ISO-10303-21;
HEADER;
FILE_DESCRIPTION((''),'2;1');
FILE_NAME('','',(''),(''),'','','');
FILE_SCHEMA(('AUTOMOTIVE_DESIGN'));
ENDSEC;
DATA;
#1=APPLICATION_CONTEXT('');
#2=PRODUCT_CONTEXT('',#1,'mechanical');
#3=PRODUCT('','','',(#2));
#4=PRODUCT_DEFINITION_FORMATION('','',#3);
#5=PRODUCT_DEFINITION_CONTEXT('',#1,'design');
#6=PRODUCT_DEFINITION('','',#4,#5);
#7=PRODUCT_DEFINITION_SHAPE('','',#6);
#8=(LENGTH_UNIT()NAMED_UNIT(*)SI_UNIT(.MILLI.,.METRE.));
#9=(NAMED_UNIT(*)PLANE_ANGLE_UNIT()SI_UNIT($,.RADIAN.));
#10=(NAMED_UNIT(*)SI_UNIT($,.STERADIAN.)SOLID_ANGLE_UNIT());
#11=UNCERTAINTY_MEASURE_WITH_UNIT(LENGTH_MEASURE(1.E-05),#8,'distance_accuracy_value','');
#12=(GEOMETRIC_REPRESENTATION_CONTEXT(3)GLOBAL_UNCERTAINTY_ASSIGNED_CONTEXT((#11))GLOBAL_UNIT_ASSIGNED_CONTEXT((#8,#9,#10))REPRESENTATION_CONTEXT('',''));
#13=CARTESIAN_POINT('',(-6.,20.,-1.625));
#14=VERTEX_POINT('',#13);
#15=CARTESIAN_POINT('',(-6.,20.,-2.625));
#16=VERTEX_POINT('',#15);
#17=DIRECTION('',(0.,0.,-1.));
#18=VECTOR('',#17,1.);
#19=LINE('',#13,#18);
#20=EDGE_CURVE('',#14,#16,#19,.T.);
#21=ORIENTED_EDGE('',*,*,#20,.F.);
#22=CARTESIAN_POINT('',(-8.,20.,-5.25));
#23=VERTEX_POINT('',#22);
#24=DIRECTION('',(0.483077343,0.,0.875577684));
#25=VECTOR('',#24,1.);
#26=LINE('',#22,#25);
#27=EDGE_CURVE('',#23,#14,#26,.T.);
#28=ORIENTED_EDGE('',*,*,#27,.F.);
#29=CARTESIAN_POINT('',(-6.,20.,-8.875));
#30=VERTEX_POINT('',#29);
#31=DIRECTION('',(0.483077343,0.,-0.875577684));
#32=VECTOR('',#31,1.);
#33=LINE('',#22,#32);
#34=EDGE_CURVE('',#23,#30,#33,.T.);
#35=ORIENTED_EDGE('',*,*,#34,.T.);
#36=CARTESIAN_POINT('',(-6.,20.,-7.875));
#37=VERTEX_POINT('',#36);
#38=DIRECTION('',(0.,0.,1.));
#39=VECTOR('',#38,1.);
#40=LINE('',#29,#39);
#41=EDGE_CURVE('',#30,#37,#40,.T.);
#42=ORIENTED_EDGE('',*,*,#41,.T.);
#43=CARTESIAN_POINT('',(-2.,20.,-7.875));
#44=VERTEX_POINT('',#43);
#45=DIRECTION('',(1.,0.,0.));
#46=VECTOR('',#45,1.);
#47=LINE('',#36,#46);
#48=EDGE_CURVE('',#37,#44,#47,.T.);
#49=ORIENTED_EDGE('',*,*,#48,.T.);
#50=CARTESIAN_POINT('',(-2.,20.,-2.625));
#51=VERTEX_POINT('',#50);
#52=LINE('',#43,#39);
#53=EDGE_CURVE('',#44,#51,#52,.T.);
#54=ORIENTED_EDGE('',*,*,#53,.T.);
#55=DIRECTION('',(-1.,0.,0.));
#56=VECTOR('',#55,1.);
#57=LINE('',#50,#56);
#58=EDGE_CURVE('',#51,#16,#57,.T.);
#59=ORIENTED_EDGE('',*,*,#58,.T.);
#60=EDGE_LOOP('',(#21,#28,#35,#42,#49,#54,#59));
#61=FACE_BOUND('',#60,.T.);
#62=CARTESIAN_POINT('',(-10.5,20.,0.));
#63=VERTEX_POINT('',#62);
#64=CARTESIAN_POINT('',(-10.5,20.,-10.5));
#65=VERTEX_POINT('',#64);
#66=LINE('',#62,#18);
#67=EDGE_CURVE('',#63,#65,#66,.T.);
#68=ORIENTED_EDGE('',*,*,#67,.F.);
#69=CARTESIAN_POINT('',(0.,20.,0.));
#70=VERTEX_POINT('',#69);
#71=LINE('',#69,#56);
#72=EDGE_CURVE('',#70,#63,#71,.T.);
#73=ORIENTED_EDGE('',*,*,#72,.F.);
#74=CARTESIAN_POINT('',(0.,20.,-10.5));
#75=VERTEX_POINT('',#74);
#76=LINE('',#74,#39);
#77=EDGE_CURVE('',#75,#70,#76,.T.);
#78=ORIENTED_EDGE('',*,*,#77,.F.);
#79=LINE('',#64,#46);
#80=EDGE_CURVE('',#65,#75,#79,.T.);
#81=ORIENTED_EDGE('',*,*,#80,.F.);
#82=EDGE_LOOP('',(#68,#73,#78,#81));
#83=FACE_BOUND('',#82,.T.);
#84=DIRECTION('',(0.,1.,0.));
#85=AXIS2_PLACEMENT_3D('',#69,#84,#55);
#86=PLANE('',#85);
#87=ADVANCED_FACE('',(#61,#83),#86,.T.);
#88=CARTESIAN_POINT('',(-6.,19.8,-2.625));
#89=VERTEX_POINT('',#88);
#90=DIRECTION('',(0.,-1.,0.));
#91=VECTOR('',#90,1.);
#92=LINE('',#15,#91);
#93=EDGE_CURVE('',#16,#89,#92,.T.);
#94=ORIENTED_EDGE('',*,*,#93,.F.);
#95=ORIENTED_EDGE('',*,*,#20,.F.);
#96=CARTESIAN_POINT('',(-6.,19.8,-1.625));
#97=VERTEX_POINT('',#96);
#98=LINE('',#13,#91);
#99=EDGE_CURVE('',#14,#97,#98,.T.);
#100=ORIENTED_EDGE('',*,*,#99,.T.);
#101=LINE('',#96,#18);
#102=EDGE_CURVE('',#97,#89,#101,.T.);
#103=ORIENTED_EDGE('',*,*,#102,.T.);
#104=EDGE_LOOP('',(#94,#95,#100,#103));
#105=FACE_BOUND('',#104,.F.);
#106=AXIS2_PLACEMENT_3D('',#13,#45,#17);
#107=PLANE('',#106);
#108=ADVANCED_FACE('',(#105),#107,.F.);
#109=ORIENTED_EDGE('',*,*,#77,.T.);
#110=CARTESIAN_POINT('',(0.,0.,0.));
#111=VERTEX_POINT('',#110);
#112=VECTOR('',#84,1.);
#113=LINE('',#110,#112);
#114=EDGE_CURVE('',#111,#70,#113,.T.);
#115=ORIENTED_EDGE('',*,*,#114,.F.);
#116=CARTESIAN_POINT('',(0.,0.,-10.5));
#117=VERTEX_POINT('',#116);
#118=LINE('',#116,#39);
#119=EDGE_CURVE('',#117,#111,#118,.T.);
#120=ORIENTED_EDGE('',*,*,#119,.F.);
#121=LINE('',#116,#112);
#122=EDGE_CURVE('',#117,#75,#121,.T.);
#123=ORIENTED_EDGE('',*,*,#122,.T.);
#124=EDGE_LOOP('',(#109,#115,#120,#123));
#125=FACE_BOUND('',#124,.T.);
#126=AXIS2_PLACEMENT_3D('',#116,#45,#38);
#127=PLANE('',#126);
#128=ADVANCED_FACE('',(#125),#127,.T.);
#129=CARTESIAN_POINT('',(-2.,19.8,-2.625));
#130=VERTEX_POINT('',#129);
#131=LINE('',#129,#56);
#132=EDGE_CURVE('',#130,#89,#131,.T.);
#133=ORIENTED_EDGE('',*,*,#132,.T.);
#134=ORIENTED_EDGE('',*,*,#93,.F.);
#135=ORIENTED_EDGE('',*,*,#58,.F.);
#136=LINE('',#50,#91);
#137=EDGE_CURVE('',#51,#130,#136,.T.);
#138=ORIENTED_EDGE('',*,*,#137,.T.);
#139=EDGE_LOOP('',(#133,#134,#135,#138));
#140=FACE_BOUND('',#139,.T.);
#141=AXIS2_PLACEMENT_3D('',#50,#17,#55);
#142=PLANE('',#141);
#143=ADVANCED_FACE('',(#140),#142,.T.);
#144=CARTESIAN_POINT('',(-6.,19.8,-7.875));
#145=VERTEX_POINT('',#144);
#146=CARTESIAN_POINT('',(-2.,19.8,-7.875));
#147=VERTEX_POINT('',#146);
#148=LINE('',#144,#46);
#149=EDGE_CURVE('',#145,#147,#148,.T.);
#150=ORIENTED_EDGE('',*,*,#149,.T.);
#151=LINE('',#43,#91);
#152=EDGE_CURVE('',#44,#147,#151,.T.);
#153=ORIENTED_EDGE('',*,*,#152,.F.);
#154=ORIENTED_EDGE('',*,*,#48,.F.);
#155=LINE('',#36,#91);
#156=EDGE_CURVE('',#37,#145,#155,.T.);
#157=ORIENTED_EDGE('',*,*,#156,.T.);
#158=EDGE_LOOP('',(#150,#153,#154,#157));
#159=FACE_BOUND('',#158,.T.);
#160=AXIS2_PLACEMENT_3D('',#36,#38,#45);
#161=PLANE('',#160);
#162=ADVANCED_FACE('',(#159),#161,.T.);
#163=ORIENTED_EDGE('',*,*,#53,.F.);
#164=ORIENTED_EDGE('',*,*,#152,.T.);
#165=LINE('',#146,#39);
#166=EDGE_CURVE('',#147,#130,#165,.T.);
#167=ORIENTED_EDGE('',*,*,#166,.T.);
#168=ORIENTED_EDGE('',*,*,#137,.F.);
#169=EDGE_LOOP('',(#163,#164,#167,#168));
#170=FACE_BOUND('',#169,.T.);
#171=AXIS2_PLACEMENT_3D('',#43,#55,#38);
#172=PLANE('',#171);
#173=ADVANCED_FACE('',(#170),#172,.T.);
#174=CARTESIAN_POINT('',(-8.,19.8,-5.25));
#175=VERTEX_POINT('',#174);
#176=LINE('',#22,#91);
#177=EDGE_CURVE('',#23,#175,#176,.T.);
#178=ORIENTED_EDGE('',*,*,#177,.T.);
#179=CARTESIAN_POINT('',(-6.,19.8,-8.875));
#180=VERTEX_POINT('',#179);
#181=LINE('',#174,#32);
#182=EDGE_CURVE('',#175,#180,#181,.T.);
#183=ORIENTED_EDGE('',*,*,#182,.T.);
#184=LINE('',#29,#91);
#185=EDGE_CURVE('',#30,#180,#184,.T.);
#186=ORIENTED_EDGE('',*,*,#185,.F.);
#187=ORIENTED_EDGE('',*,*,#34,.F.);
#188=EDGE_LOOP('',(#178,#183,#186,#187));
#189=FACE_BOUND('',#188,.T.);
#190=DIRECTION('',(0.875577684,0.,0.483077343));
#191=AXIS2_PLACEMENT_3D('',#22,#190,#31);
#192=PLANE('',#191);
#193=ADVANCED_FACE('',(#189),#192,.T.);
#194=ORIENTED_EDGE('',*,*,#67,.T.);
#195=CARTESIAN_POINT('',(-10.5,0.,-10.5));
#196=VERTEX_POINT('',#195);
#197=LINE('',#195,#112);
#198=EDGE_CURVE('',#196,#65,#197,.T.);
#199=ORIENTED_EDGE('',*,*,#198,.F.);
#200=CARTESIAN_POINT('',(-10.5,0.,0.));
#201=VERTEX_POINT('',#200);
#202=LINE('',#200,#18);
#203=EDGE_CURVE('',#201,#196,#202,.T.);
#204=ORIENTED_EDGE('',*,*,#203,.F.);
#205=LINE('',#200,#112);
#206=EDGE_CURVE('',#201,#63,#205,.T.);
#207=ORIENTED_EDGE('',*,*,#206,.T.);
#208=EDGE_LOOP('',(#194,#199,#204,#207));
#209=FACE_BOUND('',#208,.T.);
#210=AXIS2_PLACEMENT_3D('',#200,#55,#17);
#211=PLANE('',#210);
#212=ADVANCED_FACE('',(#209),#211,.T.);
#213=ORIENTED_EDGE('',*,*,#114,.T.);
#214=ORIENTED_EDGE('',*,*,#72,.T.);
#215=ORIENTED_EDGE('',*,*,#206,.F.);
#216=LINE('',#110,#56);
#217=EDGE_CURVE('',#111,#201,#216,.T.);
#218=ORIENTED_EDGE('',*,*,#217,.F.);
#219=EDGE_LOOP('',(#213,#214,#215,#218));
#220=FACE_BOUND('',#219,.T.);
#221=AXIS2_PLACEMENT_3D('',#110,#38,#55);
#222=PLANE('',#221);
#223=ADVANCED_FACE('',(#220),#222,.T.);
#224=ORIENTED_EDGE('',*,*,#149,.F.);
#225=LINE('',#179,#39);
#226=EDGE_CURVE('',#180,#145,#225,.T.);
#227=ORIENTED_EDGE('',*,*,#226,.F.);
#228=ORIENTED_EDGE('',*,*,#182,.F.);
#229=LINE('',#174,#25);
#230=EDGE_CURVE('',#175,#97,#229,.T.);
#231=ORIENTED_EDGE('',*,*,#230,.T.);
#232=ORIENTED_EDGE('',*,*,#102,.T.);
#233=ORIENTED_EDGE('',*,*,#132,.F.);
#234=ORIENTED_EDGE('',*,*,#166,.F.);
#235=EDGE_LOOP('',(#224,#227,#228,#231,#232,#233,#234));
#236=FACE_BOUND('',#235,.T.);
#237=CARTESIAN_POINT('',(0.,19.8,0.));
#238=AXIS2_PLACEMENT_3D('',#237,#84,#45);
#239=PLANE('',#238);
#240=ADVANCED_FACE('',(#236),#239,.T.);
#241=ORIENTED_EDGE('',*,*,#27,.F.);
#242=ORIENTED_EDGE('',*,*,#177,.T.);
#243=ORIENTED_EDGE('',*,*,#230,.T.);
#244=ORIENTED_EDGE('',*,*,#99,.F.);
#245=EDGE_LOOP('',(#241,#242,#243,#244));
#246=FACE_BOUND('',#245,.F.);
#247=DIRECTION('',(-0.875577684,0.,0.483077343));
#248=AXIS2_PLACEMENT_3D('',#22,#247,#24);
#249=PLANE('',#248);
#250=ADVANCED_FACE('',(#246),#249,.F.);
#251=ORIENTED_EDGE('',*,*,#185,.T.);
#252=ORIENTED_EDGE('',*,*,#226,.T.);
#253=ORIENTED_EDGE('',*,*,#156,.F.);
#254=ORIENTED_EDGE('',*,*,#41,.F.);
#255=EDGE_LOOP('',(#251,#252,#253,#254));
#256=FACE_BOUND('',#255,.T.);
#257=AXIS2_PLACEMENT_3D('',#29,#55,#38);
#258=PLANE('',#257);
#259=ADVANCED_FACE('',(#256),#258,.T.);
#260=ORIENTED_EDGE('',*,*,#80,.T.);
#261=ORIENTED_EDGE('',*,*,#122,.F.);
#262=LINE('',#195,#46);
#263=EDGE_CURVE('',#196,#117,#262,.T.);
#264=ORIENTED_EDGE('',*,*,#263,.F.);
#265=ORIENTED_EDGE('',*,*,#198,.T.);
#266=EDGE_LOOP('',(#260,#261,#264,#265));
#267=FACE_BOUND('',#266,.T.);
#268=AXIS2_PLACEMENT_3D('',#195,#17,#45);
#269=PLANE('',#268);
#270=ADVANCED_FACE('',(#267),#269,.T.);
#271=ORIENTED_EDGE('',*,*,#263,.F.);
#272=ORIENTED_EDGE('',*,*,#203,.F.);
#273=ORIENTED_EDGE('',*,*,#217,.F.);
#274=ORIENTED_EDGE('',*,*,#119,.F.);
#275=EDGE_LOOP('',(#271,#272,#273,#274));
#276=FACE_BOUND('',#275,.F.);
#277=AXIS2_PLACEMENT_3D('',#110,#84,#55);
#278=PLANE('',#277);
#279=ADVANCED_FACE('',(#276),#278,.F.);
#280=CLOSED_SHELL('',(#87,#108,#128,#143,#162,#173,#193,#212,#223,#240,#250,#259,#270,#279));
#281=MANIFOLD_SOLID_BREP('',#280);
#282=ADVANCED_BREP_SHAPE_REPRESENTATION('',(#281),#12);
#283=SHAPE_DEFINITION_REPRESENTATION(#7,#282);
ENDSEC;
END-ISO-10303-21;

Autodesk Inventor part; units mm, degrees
ref_plane "YZ Plane" through (0, 0, 0) normal (1, 0, 0) x (0, 1, 0)
ref_plane "XZ Plane" through (0, 0, 0) normal (0, 1, 0) x (-1, 0, 0)
ref_plane "XY Plane" through (0, 0, 0) normal (0, 0, 1) x (1, 0, 0)
sketch "Sketch1" plane through (0, 0, 0) normal (0, 1, 0) x (-1, 0, 0)
  line L0 (0, 0) -> (10.5, 0)
  line L1 (10.5, 0) -> (10.5, -10.5)
  line L2 (10.5, -10.5) -> (0, -10.5)
  line L3 (0, -10.5) -> (0, 0)
  dimension "d0" = 10.5
  dimension "d1" = 10.5
extrude "Extrusion1" add sketch "Sketch1" along normal blind 20
sketch "Sketch2" plane through (0, 20, 0) normal (0, 1, 0) x (1, 0, 0)
  line L0 (0, 0) -> (-2, 0)
  line L1 (-2, 0) -> (-2, 2.625)
  line L2 (-2, 2.625) -> (0, 2.625)
  line L3 (0, 2.625) -> (0, 0)
  line L4 (-2, 2.625) -> (-6, 2.625)
  line L5 (-6, 2.625) -> (-6, 7.875)
  line L6 (-6, 7.875) -> (-2, 7.875)
  line L7 (-2, 7.875) -> (-2, 2.625)
  line L8 (-6, 2.625) -> (-8, 2.625) construction
  line L9 (-8, 2.625) -> (-8, 1.625) construction
  line L10 (-8, 1.625) -> (-6, 1.625) construction
  line L11 (-6, 1.625) -> (-6, 2.625)
  line L12 (-6, 1.625) -> (-8, 1.625)
  line L13 (-8, 1.625) -> (-8, 8.875) construction
  line L14 (-8, 8.875) -> (-6, 8.875)
  line L15 (-6, 8.875) -> (-6, 1.625)
  line L16 (-8, 5.25) -> (-6, 1.625)
  line L17 (-8, 5.25) -> (-6, 8.875)
  dimension "d4" = 2
  dimension "d5" = 2.625
  dimension "d6" = 4
  dimension "d7" = 5.25
  dimension "d8" = 2
  dimension "d9" = 1
  dimension "d10" = 2
  dimension "d11" = 7.25
extrude "Extrusion2" cut sketch "Sketch2" against normal blind 0.2 contours L4 L5 L6 L7 | L11 L16 L17 L15 L5
properties part number "Air_heater_button"
